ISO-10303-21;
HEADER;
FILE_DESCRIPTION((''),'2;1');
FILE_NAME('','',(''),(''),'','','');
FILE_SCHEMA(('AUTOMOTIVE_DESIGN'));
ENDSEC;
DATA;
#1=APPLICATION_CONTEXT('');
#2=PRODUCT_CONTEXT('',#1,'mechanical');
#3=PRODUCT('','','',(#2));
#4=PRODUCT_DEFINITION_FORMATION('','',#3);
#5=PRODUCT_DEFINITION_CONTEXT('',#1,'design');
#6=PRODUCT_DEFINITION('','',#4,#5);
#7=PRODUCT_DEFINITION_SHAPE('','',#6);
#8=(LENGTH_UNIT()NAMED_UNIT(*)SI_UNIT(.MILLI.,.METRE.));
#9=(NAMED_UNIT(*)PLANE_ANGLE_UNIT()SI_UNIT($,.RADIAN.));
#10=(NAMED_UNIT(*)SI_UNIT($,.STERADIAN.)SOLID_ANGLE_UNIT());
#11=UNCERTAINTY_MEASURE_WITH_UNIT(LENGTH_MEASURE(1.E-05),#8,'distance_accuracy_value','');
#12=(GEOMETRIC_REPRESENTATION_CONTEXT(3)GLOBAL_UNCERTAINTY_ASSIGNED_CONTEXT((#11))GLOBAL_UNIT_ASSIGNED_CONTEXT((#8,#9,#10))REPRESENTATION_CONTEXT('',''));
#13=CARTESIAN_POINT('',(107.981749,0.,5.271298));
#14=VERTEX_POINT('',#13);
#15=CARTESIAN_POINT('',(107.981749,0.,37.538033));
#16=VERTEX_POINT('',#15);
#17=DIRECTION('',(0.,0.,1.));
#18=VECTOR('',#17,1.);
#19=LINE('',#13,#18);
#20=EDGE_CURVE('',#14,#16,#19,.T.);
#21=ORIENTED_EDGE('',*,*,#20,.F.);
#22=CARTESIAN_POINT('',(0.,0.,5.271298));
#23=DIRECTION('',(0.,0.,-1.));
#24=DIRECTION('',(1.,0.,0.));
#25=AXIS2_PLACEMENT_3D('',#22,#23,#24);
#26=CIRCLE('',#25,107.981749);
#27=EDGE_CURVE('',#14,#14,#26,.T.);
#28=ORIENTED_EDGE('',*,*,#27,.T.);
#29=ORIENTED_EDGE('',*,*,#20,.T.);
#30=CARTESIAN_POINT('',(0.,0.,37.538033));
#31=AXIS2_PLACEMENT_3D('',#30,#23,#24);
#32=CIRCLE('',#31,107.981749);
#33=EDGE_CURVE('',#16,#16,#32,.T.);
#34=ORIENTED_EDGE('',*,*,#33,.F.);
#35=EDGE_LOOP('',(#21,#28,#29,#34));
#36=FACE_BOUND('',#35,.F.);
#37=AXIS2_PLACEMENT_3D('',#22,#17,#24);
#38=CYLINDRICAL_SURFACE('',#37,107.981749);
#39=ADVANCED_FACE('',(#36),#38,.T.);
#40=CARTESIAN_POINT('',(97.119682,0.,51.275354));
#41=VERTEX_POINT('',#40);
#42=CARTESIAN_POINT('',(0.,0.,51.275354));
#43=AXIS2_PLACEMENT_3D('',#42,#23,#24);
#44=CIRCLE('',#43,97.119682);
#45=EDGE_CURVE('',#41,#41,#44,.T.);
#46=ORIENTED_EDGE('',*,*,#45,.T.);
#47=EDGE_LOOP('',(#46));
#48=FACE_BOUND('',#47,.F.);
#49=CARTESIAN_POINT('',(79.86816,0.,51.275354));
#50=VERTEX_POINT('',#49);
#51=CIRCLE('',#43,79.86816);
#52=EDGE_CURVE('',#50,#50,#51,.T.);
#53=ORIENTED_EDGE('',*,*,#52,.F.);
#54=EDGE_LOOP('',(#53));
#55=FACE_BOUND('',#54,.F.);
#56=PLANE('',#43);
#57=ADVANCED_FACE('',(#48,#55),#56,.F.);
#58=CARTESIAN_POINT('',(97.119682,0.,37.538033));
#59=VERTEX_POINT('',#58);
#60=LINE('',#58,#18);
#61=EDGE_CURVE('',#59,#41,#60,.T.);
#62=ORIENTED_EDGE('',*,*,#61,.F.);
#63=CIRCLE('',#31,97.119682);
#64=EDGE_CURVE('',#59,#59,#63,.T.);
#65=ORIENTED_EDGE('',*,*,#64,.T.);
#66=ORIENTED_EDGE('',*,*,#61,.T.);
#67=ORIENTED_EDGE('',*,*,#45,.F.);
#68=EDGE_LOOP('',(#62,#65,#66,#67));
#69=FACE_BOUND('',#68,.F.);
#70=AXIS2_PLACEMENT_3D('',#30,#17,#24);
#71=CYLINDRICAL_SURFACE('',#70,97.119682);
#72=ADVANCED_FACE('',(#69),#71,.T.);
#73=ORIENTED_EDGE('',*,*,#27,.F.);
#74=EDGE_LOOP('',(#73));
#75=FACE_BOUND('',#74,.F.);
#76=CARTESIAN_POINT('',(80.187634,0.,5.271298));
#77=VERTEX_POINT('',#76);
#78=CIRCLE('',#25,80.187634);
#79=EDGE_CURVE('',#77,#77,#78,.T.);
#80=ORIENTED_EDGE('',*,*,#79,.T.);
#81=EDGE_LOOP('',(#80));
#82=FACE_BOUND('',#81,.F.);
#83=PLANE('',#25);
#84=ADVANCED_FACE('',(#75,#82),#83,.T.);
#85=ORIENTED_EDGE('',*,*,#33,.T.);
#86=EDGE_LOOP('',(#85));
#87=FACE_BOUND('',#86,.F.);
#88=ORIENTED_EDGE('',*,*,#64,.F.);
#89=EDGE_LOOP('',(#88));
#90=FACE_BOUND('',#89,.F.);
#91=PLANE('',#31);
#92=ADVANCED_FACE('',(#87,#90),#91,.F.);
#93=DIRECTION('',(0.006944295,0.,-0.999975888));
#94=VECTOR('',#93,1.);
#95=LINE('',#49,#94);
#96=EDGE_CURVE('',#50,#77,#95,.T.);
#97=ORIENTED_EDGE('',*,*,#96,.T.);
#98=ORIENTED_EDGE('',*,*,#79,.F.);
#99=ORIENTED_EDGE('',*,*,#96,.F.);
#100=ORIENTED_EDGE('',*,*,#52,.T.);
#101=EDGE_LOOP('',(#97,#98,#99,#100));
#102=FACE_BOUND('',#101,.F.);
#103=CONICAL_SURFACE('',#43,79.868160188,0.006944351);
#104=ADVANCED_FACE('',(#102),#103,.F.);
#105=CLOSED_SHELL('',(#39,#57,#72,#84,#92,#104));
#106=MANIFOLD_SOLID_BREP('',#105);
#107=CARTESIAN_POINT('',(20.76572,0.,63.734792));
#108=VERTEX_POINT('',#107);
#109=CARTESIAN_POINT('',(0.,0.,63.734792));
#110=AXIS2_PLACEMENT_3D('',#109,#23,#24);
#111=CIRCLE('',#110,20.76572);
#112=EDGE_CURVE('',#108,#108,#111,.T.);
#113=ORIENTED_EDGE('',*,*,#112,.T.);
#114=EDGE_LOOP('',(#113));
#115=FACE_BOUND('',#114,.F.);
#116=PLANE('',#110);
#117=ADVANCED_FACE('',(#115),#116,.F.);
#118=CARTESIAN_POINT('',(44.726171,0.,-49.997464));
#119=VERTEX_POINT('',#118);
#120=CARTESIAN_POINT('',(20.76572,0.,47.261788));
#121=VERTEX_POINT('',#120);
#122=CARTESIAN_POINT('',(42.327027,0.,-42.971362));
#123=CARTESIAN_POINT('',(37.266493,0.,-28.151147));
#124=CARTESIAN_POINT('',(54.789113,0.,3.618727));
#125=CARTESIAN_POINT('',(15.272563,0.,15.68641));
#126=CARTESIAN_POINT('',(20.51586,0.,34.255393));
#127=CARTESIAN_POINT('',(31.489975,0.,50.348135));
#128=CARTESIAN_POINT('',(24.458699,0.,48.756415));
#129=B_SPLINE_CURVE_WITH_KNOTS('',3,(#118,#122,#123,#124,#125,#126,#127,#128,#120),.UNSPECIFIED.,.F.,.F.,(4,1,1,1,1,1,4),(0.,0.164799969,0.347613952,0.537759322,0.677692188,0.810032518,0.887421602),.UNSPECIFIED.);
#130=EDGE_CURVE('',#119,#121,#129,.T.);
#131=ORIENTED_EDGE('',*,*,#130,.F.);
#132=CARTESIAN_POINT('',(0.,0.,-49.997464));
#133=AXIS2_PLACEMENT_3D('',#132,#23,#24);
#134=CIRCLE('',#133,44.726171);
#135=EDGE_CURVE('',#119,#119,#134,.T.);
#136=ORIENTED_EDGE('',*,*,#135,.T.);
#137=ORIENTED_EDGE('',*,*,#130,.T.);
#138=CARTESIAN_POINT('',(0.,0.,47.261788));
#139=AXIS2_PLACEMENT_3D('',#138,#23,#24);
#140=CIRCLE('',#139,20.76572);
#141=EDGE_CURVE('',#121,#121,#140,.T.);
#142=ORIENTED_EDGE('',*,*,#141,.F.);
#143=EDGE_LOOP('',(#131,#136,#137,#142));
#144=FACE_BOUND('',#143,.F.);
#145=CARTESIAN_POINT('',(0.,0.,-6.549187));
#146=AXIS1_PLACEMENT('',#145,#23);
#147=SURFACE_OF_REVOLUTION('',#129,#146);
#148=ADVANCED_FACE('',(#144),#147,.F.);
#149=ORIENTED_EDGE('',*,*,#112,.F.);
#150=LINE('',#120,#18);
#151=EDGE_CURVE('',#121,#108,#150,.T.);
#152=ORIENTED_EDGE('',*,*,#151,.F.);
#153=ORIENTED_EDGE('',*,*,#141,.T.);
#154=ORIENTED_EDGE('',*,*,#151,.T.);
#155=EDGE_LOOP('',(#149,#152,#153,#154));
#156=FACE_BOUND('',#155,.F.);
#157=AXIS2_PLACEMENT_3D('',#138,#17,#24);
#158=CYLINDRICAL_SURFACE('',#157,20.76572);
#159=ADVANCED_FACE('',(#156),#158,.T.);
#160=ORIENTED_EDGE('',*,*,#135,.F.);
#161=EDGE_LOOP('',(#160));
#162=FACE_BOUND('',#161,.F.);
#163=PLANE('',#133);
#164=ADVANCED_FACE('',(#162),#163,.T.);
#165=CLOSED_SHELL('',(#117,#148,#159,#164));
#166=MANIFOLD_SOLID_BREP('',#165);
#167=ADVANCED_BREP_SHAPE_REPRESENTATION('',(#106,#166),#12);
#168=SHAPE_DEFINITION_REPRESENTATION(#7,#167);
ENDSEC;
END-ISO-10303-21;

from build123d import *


with BuildPart() as f1:
    # F0 (on Front) → F1 (revolve)
    with BuildSketch(Plane.XZ):
        with BuildLine():
            add(Edge.make_bspline(
                [(20.7657199354, 47.2617876213), (15.3935194079, 45.087543348), (7.696759704, 40.9933165806), (0, 36.8990898132)],
                knots=[0.8874216023, 0.8874216023, 0.8874216023, 0.8874216023, 1, 1, 1, 1], degree=3))
            Line((0, 36.8990898132), (0, -49.9974638224))
            Line((0, -49.9974638224), (44.7261705995, -49.9974638224))
            add(Edge.make_bspline(
                [(44.7261705995, -49.9974638224), (42.3270269882, -42.9713622345), (37.2664933268, -28.1511474596), (54.7891132901, 3.6187265343), (15.2725633245, 15.6864097768), (20.5158598704, 34.2553930575), (31.489974877, 50.3481353467), (24.4586991051, 48.7564151524), (20.7657199354, 47.2617876213)],
                knots=[0, 0, 0, 0, 0.1647999694, 0.3476139521, 0.5377593223, 0.6776921881, 0.8100325184, 0.8874216023, 0.8874216023, 0.8874216023, 0.8874216023], degree=3))
        make_face()
        with BuildLine():
            Line((0, 63.7347921729), (0, 36.8990898132))
            add(Edge.make_bspline(
                [(20.7657199354, 47.2617876213), (15.3935194079, 45.087543348), (7.696759704, 40.9933165806), (0, 36.8990898132)],
                knots=[0.8874216023, 0.8874216023, 0.8874216023, 0.8874216023, 1, 1, 1, 1], degree=3))
            Line((20.7657199354, 47.2617876213), (20.7657199354, 63.7347921729))
            Line((20.7657199354, 63.7347921729), (0, 63.7347921729))
        make_face()
    revolve(axis=Axis((0, 0, -6.5491870046), (0, 0, -1)))


with BuildPart() as f1b:
    # F0 (on Front) → F1, piece 2 (revolve)
    with BuildSketch(Plane.XZ):
        Polygon((97.1196815372, 51.2753538787), (79.8681601882, 51.2753538787), (80.1876336336, 5.2712983452), (107.981748879, 5.2712983452), (107.981748879, 37.5380329788), (97.1196815372, 37.5380329788), align=None)
    revolve(axis=Axis((0, 0, -6.5491870046), (0, 0, -1)))


solid = Compound([f1.part, f1b.part])
